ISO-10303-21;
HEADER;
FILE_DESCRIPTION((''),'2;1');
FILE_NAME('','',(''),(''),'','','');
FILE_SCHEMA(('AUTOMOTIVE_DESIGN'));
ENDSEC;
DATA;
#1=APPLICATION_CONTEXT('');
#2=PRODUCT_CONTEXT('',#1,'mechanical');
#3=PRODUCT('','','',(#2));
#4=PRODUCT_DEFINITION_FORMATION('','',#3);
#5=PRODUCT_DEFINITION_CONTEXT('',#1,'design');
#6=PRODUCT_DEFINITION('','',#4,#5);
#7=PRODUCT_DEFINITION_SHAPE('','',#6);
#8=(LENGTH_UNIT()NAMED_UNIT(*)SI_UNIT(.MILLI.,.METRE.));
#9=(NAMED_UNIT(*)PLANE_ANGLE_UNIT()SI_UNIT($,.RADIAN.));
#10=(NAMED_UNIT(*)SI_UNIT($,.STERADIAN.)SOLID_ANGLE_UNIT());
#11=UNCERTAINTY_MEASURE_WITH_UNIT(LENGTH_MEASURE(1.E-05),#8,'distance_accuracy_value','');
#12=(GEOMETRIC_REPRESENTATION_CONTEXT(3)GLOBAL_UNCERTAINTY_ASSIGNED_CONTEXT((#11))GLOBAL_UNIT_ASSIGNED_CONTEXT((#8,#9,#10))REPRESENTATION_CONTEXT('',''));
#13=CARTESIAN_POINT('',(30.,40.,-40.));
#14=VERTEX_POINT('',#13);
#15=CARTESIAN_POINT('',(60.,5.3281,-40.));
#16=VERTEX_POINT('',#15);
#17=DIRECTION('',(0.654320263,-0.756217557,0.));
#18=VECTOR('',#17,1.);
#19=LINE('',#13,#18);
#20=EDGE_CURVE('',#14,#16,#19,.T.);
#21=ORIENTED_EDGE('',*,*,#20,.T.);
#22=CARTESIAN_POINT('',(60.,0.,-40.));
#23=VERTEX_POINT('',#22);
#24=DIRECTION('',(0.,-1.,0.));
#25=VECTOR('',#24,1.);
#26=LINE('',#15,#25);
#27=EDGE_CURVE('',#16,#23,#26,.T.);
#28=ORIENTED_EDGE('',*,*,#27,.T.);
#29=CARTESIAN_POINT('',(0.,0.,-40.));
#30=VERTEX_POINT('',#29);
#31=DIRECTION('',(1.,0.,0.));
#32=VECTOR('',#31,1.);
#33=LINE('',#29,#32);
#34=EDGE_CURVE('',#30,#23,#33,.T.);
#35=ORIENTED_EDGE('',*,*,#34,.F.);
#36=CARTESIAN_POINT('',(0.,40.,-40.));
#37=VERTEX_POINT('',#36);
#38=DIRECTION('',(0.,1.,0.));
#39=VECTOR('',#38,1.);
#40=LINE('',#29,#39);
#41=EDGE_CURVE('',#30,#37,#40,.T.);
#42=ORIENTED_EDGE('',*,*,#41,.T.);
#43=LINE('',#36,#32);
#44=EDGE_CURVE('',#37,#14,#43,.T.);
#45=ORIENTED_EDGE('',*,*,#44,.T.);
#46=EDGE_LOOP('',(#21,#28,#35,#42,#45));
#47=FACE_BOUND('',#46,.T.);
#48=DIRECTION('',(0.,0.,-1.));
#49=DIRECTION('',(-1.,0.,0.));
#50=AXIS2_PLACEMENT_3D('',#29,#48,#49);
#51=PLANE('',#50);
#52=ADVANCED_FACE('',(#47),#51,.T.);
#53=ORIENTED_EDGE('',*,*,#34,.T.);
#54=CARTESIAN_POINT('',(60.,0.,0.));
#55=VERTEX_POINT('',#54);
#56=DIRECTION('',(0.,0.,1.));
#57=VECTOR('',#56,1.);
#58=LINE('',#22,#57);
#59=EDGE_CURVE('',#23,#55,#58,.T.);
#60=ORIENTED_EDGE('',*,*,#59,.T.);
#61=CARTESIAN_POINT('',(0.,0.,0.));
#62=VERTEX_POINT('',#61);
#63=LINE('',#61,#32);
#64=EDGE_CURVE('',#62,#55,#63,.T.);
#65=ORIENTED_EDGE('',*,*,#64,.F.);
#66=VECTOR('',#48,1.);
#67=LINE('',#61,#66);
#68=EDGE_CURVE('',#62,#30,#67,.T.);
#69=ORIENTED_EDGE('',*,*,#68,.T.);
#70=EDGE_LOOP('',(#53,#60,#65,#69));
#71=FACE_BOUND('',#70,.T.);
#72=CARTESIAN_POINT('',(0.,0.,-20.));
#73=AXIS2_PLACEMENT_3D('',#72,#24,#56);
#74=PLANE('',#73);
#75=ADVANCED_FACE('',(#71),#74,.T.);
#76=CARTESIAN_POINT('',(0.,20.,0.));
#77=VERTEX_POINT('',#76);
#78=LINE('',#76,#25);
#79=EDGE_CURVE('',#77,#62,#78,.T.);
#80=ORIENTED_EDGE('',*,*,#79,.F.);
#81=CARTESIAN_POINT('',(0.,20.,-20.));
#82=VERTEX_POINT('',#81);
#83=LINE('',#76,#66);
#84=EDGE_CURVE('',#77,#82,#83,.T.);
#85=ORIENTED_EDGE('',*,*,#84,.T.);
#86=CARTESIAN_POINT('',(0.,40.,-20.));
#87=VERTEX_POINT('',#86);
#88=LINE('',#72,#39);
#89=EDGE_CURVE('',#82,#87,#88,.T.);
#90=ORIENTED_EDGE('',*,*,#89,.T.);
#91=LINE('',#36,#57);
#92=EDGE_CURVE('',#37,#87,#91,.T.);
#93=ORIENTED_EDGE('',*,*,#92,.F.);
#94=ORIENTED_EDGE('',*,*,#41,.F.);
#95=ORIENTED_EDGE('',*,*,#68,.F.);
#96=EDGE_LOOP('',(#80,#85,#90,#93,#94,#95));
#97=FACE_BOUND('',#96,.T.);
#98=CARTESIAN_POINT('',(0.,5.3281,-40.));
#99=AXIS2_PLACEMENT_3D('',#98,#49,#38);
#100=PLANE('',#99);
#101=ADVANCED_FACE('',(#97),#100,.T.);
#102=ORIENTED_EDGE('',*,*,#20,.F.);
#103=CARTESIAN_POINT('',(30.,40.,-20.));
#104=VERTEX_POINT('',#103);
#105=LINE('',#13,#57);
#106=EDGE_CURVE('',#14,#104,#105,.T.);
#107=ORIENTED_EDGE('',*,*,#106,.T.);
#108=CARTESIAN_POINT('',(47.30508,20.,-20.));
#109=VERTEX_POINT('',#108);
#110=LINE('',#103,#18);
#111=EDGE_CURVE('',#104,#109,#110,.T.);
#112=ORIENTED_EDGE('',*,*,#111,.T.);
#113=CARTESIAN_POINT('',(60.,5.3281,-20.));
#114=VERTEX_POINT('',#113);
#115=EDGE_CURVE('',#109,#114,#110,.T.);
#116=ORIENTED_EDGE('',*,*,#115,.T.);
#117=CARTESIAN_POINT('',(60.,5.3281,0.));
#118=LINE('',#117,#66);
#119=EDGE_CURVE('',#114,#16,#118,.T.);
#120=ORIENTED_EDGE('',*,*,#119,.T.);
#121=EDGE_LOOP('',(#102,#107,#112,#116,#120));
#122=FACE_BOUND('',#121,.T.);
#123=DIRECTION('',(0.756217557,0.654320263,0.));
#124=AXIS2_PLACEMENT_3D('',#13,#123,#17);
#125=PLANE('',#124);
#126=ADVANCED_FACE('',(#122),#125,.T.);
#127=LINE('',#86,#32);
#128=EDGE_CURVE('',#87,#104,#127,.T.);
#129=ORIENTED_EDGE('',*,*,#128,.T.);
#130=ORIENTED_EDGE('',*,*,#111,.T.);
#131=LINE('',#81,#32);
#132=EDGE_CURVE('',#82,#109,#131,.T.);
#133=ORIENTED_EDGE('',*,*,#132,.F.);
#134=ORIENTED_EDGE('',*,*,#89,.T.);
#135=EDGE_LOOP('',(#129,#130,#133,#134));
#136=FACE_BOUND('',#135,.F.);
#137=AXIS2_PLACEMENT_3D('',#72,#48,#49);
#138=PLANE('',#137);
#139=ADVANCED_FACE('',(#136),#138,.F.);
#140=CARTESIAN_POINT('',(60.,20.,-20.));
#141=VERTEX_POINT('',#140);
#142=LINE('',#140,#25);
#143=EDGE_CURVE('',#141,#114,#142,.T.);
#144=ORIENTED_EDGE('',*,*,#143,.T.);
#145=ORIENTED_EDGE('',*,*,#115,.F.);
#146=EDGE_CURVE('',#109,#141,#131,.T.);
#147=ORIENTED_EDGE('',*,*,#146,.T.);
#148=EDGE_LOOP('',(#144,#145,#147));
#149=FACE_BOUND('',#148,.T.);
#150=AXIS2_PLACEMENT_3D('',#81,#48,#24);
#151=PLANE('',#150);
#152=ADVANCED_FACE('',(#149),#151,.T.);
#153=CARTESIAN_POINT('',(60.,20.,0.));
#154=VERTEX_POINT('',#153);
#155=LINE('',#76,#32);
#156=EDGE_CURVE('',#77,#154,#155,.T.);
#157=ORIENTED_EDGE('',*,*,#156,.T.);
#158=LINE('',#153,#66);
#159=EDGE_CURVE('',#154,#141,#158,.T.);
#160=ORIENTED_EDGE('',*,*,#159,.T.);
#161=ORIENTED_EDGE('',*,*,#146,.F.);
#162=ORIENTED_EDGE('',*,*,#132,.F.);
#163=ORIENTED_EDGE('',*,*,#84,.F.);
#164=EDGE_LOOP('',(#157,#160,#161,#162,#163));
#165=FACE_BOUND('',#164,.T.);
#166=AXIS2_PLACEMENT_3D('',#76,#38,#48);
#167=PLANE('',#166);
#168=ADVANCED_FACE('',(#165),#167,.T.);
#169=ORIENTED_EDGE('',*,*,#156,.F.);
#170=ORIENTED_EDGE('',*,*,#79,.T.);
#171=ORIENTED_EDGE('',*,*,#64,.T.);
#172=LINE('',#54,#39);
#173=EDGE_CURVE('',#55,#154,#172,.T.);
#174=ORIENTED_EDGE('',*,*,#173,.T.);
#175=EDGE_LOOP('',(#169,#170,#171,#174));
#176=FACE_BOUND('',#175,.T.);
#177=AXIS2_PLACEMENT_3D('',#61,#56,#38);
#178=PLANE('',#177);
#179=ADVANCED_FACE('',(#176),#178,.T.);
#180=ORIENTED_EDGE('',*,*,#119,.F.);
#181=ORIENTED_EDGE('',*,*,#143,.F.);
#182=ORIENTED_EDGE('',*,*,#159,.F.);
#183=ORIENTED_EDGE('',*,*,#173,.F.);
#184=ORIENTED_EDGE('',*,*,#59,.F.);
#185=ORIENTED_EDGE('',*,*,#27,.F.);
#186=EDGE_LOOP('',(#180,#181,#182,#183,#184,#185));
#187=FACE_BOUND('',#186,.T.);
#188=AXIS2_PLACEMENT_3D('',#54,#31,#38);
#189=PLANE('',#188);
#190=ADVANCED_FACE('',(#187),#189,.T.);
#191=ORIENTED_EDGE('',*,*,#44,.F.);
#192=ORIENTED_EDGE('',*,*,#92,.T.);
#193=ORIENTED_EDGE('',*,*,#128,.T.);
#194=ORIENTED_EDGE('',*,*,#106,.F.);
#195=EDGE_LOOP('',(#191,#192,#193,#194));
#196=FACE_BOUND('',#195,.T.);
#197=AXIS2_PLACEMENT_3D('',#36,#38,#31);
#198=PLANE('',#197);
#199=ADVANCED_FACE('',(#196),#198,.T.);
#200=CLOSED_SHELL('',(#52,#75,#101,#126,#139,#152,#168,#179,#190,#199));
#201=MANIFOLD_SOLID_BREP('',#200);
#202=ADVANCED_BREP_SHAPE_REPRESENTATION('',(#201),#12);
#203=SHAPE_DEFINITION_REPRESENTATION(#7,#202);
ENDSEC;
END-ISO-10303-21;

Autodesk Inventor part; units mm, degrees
ref_plane "YZ Plane" through (0, 0, 0) normal (1, 0, 0) x (0, 1, 0)
ref_plane "XZ Plane" through (0, 0, 0) normal (0, 1, 0) x (-1, 0, 0)
ref_plane "XY Plane" through (0, 0, 0) normal (0, 0, 1) x (1, 0, 0)
sketch "草圖1" plane through (0, 0, 0) normal (1, 0, 0) x (0, 1, 0)
  line L0 (0, 0) -> (20, 0)
  line L1 (20, 0) -> (20, -20)
  line L2 (20, -20) -> (0, -20)
  line L3 (0, -20) -> (0, 0)
  line L4 (0, 0) -> (5.3281, 0)
  line L5 (5.3281, 0) -> (5.3281, -40)
  line L6 (5.3281, -40) -> (0, -40)
  line L7 (0, -40) -> (0, 0)
  dimension "d0" = 40
  dimension "d1" = 20
  dimension "d2" = 20
extrude "擠出1" add sketch "草圖1" along normal blind 60
sketch "草圖2" plane through (0, 0, -40) normal (0, 0, -1) x (-1, 0, 0)
  line L0 (0, 0) -> (0, 5.3281) projected
  line L1 (0, 0) -> (0, 40)
  line L2 (0, 40) -> (-30, 40)
  line L3 (0, 5.3281) -> (-60, 5.3281) projected
  line L4 (-30, 40) -> (-60, 5.3281)
  line L5 (-60, 5.3281) -> (-60, 0)
  line L6 (0, 0) -> (-60, 0) projected
  line L7 (-60, 0) -> (0, 0)
  dimension "d5" = 30
  dimension "d6" = 40
extrude "擠出2" add sketch "草圖2" against normal up to surface (20 mm away) contours L3 L4 L2 L1
properties part number "41 (61598.433 mm^3)"
